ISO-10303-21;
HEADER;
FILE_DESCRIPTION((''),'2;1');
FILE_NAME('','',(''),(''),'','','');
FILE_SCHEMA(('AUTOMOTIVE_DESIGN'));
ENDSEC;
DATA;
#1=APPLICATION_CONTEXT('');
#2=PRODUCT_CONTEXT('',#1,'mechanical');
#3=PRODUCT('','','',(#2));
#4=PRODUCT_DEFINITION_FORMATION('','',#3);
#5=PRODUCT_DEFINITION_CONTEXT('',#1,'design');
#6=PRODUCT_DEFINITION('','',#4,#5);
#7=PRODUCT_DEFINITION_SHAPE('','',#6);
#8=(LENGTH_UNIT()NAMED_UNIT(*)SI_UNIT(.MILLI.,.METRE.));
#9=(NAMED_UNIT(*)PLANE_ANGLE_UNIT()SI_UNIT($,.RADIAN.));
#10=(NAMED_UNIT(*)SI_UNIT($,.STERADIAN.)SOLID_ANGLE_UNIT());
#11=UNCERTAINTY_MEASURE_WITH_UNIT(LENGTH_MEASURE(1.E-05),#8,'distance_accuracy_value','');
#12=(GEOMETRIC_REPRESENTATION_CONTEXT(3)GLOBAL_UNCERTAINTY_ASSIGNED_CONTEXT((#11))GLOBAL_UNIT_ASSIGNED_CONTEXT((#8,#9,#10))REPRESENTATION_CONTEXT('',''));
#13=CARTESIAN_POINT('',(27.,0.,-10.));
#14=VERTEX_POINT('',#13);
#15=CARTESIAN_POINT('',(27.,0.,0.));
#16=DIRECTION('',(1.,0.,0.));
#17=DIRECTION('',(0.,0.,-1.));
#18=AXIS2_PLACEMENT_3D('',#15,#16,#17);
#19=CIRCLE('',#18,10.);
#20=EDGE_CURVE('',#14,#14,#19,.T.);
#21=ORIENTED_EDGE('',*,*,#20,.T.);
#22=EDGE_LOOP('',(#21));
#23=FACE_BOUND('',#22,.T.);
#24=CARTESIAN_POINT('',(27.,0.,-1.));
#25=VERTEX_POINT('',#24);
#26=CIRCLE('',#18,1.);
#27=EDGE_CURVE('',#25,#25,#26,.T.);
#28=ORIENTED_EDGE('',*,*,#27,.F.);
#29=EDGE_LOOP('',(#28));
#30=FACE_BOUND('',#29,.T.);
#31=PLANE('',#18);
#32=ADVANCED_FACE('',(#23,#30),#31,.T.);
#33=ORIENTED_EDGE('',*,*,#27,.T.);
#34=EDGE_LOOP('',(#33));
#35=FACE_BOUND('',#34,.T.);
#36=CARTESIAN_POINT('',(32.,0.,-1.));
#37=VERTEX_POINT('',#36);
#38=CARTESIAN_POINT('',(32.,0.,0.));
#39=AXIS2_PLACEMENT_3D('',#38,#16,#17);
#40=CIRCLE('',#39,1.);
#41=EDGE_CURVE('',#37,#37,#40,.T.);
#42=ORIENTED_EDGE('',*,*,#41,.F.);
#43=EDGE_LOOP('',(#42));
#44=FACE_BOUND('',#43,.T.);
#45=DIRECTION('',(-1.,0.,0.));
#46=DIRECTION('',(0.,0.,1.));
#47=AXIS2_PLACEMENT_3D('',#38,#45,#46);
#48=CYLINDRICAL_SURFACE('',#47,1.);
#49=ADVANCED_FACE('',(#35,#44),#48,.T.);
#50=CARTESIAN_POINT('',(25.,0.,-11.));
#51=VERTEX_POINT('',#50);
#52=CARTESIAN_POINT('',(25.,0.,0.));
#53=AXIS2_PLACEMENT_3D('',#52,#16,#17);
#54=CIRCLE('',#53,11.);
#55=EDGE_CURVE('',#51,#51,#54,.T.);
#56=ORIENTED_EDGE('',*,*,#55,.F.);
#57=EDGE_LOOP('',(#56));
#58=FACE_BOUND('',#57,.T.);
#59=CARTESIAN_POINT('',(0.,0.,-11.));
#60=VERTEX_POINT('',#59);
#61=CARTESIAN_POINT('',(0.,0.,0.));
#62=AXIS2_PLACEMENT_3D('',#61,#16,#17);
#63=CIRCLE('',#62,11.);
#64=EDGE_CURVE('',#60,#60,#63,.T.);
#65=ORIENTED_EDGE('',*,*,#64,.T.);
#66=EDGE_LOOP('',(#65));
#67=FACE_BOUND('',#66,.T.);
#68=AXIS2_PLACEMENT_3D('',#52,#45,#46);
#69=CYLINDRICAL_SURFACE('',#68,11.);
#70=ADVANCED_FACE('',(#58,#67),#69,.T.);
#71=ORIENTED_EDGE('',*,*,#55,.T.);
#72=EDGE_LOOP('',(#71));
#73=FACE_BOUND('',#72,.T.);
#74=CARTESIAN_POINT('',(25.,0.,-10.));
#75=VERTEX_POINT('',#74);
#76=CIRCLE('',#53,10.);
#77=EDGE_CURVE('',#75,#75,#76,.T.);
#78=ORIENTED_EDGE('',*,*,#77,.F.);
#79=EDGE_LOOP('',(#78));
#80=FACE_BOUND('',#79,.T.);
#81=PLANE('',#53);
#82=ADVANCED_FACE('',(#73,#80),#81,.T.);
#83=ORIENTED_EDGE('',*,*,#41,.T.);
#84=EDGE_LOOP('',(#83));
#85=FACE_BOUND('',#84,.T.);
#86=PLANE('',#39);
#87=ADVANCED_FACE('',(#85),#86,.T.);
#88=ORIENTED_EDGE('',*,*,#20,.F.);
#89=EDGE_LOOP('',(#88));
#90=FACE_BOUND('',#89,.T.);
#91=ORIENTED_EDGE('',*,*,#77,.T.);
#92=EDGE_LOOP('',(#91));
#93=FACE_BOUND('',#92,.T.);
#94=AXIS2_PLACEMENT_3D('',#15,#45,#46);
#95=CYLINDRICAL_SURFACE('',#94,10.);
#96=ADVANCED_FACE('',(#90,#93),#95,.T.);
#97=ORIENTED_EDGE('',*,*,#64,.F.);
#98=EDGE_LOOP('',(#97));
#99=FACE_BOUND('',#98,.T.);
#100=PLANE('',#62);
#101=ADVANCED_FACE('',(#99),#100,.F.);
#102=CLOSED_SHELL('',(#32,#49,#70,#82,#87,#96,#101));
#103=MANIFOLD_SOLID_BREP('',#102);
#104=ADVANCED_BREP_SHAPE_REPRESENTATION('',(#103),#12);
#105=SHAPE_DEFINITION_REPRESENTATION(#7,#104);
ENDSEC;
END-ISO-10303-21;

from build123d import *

# Parameters (mm, degrees)
SKETCH1_R           = 11
BOSS_EXTRUDE1_DEPTH = 25
SKETCH2_R           = 10
BOSS_EXTRUDE2_DEPTH = 2
SKETCH3_R           = 1
BOSS_EXTRUDE3_DEPTH = 5


with BuildPart() as part:
    # Sketch1 → Boss-Extrude1 (new body)
    with BuildSketch(Plane(origin=(0, 0, 0), x_dir=(0, 0, -1), z_dir=(1, 0, 0))):
        Circle(SKETCH1_R)
    extrude(amount=BOSS_EXTRUDE1_DEPTH)

    # Sketch2 → Boss-Extrude2 (add)
    with BuildSketch(Plane(origin=(25, 0, 0), x_dir=(0, 0, -1), z_dir=(1, 0, 0))):
        Circle(SKETCH2_R)
    extrude(amount=BOSS_EXTRUDE2_DEPTH)

    # Sketch3 → Boss-Extrude3 (add)
    with BuildSketch(Plane(origin=(27, 0, 0), x_dir=(0, 0, -1), z_dir=(1, 0, 0))):
        Circle(SKETCH3_R)
    extrude(amount=BOSS_EXTRUDE3_DEPTH)


solid = part.part
